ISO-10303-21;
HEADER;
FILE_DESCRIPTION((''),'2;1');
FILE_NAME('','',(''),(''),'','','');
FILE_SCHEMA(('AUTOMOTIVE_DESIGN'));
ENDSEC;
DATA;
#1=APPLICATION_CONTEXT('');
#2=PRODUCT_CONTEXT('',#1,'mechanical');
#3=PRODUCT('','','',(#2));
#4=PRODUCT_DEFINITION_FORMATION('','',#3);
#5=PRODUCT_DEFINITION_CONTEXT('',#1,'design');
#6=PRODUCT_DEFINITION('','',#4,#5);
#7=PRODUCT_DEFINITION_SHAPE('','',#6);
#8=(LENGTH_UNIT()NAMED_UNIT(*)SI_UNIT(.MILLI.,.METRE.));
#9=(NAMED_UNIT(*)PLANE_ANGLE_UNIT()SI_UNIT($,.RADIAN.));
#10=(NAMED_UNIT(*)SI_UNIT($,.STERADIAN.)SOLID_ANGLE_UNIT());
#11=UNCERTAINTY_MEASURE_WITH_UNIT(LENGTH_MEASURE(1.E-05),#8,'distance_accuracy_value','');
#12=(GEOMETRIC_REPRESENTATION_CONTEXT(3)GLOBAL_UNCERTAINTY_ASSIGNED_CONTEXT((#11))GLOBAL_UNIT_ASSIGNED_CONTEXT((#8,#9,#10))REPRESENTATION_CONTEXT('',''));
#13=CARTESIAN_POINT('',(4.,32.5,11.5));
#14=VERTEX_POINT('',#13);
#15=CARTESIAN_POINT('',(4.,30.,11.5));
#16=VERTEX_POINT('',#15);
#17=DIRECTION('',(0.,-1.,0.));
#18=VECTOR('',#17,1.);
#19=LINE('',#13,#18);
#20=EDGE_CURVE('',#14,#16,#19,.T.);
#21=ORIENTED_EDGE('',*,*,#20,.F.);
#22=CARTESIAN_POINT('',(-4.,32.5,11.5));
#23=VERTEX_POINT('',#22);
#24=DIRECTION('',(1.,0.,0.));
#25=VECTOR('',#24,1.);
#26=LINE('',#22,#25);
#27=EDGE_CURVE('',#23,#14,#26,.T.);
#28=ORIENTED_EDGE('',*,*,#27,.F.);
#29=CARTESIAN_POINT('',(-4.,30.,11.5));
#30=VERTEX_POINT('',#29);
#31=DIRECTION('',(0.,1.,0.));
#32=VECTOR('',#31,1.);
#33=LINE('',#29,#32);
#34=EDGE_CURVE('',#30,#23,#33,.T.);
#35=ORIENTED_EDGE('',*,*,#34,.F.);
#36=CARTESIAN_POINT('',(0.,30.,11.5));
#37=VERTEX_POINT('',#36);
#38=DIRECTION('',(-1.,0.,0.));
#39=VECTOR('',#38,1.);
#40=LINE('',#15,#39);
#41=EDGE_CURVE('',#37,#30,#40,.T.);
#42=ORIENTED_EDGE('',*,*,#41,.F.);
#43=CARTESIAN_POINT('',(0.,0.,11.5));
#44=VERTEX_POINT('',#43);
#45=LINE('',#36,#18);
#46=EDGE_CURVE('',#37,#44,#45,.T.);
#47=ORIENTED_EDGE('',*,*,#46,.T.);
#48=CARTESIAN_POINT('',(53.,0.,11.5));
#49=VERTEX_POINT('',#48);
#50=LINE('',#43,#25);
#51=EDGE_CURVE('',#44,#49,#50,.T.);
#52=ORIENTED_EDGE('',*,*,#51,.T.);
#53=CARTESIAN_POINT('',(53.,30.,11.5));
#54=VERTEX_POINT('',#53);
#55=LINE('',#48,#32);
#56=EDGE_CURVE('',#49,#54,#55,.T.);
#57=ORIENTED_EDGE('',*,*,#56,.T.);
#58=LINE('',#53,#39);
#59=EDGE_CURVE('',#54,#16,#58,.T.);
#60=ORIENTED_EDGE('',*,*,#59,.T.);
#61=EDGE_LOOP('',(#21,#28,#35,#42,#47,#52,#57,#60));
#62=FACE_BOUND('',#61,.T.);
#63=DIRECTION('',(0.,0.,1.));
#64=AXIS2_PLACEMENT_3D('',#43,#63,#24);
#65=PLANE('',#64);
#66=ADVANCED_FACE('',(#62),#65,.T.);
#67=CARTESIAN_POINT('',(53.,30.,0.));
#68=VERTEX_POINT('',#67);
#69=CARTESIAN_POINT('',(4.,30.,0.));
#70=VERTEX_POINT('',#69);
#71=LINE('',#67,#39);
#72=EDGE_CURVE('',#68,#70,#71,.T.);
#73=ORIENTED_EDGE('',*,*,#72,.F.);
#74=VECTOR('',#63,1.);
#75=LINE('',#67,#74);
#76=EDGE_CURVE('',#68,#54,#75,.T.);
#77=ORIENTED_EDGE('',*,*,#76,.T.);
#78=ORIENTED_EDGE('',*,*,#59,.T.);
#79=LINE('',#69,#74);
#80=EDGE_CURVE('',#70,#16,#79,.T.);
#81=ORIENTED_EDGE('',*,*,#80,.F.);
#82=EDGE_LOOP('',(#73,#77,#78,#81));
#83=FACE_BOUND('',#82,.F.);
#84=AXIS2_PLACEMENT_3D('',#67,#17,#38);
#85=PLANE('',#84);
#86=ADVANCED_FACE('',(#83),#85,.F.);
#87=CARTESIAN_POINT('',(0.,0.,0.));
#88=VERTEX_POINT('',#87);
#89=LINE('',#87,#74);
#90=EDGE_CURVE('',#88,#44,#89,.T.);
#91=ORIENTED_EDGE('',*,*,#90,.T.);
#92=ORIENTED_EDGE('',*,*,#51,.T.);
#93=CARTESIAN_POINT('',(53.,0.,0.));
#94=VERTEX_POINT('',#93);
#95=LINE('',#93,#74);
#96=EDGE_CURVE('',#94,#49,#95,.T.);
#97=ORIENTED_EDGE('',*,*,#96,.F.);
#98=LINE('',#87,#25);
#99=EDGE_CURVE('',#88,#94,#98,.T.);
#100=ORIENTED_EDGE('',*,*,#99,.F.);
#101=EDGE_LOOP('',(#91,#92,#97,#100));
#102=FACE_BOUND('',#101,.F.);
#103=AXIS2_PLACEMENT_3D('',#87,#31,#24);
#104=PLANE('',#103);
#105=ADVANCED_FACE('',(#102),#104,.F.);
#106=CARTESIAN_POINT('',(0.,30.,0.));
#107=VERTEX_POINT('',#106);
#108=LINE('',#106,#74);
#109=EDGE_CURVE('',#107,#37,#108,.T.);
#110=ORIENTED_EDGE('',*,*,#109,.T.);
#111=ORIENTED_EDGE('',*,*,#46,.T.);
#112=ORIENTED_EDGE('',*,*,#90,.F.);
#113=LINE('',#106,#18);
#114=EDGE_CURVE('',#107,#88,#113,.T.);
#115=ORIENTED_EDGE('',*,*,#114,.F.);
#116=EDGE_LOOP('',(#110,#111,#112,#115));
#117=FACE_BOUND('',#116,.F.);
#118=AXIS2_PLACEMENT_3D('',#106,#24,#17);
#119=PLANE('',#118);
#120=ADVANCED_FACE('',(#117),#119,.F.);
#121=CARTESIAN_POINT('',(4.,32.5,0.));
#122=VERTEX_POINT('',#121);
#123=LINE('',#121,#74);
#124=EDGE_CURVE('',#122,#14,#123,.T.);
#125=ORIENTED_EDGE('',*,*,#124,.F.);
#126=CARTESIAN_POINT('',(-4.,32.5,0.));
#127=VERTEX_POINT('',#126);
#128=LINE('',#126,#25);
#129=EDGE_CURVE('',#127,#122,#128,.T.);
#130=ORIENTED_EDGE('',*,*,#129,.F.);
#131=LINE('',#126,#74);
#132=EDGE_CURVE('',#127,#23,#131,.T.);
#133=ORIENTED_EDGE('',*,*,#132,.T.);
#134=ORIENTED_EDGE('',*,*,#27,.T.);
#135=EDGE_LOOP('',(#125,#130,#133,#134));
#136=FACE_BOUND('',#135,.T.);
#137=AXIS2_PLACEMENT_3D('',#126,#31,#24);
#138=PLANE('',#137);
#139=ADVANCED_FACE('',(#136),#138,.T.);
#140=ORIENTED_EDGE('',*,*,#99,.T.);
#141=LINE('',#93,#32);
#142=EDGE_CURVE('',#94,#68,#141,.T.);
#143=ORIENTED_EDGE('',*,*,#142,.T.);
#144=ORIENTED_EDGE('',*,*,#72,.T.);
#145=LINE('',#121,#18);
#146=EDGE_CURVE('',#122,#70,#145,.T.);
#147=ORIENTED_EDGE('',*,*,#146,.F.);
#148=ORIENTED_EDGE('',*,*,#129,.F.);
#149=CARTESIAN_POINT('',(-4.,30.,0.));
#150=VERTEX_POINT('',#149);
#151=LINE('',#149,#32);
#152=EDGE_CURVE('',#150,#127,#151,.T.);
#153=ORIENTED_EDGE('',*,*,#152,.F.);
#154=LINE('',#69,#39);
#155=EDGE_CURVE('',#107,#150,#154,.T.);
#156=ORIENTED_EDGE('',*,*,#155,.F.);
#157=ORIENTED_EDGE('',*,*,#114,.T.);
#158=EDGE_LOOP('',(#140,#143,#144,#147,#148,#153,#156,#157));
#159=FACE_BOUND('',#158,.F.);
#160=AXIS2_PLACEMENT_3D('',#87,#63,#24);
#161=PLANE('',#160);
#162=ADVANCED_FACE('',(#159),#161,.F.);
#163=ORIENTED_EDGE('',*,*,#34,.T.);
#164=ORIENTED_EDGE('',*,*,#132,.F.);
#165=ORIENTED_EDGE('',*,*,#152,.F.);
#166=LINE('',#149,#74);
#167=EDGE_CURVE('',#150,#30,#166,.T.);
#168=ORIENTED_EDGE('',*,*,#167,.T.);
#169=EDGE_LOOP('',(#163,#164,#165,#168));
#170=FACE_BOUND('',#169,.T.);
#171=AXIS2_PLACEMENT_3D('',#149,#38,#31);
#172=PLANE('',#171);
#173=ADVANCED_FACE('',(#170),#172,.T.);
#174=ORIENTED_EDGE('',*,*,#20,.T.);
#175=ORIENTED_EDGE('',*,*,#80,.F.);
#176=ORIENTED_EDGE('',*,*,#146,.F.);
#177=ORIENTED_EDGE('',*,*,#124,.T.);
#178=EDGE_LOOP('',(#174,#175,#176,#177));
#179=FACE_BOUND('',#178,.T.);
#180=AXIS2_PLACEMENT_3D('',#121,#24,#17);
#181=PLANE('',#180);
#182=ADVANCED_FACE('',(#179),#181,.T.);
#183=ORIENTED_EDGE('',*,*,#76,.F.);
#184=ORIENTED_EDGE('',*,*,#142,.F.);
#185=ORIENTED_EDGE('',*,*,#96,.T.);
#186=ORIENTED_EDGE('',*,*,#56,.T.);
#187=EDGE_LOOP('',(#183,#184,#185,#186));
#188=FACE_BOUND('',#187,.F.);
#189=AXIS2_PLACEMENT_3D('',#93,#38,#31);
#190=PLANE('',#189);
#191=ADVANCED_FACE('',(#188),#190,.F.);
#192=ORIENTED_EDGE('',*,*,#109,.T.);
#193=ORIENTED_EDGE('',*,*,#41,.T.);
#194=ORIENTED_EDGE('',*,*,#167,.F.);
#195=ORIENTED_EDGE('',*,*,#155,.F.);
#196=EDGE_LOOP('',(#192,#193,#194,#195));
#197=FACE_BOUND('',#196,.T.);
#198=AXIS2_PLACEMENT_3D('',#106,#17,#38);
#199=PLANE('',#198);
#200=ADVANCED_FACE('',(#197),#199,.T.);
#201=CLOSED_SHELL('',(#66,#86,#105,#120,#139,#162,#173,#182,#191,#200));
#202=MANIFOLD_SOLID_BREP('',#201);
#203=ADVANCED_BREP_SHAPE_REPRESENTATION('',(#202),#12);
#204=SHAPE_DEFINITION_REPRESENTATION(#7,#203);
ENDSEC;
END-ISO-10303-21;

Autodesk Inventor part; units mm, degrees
ref_plane "YZ Plane" through (0, 0, 0) normal (1, 0, 0) x (0, 1, 0)
ref_plane "XZ Plane" through (0, 0, 0) normal (0, 1, 0) x (-1, 0, 0)
ref_plane "XY Plane" through (0, 0, 0) normal (0, 0, 1) x (1, 0, 0)
sketch "Эскиз1" plane through (0, 0, 0) normal (0, 0, 1) x (1, 0, 0)
  line L0 (0, 0) -> (53, 0)
  line L1 (53, 0) -> (53, 30)
  line L2 (53, 30) -> (0, 30)
  line L3 (0, 30) -> (0, 0)
  line L4 (0, 30) -> (4, 30)
  line L5 (4, 30) -> (-4, 30)
  line L6 (-4, 30) -> (-4, 32.5)
  line L7 (-4, 32.5) -> (4, 32.5)
  line L8 (4, 32.5) -> (4, 30)
  dimension "d0" = 53
  dimension "d1" = 30
  dimension "d4" = 4
  dimension "d5" = 8
  dimension "d6" = 2.5
extrude "Выдавливание1" add sketch "Эскиз1" along normal blind 11.5
properties part number "nVision lipo battery"
